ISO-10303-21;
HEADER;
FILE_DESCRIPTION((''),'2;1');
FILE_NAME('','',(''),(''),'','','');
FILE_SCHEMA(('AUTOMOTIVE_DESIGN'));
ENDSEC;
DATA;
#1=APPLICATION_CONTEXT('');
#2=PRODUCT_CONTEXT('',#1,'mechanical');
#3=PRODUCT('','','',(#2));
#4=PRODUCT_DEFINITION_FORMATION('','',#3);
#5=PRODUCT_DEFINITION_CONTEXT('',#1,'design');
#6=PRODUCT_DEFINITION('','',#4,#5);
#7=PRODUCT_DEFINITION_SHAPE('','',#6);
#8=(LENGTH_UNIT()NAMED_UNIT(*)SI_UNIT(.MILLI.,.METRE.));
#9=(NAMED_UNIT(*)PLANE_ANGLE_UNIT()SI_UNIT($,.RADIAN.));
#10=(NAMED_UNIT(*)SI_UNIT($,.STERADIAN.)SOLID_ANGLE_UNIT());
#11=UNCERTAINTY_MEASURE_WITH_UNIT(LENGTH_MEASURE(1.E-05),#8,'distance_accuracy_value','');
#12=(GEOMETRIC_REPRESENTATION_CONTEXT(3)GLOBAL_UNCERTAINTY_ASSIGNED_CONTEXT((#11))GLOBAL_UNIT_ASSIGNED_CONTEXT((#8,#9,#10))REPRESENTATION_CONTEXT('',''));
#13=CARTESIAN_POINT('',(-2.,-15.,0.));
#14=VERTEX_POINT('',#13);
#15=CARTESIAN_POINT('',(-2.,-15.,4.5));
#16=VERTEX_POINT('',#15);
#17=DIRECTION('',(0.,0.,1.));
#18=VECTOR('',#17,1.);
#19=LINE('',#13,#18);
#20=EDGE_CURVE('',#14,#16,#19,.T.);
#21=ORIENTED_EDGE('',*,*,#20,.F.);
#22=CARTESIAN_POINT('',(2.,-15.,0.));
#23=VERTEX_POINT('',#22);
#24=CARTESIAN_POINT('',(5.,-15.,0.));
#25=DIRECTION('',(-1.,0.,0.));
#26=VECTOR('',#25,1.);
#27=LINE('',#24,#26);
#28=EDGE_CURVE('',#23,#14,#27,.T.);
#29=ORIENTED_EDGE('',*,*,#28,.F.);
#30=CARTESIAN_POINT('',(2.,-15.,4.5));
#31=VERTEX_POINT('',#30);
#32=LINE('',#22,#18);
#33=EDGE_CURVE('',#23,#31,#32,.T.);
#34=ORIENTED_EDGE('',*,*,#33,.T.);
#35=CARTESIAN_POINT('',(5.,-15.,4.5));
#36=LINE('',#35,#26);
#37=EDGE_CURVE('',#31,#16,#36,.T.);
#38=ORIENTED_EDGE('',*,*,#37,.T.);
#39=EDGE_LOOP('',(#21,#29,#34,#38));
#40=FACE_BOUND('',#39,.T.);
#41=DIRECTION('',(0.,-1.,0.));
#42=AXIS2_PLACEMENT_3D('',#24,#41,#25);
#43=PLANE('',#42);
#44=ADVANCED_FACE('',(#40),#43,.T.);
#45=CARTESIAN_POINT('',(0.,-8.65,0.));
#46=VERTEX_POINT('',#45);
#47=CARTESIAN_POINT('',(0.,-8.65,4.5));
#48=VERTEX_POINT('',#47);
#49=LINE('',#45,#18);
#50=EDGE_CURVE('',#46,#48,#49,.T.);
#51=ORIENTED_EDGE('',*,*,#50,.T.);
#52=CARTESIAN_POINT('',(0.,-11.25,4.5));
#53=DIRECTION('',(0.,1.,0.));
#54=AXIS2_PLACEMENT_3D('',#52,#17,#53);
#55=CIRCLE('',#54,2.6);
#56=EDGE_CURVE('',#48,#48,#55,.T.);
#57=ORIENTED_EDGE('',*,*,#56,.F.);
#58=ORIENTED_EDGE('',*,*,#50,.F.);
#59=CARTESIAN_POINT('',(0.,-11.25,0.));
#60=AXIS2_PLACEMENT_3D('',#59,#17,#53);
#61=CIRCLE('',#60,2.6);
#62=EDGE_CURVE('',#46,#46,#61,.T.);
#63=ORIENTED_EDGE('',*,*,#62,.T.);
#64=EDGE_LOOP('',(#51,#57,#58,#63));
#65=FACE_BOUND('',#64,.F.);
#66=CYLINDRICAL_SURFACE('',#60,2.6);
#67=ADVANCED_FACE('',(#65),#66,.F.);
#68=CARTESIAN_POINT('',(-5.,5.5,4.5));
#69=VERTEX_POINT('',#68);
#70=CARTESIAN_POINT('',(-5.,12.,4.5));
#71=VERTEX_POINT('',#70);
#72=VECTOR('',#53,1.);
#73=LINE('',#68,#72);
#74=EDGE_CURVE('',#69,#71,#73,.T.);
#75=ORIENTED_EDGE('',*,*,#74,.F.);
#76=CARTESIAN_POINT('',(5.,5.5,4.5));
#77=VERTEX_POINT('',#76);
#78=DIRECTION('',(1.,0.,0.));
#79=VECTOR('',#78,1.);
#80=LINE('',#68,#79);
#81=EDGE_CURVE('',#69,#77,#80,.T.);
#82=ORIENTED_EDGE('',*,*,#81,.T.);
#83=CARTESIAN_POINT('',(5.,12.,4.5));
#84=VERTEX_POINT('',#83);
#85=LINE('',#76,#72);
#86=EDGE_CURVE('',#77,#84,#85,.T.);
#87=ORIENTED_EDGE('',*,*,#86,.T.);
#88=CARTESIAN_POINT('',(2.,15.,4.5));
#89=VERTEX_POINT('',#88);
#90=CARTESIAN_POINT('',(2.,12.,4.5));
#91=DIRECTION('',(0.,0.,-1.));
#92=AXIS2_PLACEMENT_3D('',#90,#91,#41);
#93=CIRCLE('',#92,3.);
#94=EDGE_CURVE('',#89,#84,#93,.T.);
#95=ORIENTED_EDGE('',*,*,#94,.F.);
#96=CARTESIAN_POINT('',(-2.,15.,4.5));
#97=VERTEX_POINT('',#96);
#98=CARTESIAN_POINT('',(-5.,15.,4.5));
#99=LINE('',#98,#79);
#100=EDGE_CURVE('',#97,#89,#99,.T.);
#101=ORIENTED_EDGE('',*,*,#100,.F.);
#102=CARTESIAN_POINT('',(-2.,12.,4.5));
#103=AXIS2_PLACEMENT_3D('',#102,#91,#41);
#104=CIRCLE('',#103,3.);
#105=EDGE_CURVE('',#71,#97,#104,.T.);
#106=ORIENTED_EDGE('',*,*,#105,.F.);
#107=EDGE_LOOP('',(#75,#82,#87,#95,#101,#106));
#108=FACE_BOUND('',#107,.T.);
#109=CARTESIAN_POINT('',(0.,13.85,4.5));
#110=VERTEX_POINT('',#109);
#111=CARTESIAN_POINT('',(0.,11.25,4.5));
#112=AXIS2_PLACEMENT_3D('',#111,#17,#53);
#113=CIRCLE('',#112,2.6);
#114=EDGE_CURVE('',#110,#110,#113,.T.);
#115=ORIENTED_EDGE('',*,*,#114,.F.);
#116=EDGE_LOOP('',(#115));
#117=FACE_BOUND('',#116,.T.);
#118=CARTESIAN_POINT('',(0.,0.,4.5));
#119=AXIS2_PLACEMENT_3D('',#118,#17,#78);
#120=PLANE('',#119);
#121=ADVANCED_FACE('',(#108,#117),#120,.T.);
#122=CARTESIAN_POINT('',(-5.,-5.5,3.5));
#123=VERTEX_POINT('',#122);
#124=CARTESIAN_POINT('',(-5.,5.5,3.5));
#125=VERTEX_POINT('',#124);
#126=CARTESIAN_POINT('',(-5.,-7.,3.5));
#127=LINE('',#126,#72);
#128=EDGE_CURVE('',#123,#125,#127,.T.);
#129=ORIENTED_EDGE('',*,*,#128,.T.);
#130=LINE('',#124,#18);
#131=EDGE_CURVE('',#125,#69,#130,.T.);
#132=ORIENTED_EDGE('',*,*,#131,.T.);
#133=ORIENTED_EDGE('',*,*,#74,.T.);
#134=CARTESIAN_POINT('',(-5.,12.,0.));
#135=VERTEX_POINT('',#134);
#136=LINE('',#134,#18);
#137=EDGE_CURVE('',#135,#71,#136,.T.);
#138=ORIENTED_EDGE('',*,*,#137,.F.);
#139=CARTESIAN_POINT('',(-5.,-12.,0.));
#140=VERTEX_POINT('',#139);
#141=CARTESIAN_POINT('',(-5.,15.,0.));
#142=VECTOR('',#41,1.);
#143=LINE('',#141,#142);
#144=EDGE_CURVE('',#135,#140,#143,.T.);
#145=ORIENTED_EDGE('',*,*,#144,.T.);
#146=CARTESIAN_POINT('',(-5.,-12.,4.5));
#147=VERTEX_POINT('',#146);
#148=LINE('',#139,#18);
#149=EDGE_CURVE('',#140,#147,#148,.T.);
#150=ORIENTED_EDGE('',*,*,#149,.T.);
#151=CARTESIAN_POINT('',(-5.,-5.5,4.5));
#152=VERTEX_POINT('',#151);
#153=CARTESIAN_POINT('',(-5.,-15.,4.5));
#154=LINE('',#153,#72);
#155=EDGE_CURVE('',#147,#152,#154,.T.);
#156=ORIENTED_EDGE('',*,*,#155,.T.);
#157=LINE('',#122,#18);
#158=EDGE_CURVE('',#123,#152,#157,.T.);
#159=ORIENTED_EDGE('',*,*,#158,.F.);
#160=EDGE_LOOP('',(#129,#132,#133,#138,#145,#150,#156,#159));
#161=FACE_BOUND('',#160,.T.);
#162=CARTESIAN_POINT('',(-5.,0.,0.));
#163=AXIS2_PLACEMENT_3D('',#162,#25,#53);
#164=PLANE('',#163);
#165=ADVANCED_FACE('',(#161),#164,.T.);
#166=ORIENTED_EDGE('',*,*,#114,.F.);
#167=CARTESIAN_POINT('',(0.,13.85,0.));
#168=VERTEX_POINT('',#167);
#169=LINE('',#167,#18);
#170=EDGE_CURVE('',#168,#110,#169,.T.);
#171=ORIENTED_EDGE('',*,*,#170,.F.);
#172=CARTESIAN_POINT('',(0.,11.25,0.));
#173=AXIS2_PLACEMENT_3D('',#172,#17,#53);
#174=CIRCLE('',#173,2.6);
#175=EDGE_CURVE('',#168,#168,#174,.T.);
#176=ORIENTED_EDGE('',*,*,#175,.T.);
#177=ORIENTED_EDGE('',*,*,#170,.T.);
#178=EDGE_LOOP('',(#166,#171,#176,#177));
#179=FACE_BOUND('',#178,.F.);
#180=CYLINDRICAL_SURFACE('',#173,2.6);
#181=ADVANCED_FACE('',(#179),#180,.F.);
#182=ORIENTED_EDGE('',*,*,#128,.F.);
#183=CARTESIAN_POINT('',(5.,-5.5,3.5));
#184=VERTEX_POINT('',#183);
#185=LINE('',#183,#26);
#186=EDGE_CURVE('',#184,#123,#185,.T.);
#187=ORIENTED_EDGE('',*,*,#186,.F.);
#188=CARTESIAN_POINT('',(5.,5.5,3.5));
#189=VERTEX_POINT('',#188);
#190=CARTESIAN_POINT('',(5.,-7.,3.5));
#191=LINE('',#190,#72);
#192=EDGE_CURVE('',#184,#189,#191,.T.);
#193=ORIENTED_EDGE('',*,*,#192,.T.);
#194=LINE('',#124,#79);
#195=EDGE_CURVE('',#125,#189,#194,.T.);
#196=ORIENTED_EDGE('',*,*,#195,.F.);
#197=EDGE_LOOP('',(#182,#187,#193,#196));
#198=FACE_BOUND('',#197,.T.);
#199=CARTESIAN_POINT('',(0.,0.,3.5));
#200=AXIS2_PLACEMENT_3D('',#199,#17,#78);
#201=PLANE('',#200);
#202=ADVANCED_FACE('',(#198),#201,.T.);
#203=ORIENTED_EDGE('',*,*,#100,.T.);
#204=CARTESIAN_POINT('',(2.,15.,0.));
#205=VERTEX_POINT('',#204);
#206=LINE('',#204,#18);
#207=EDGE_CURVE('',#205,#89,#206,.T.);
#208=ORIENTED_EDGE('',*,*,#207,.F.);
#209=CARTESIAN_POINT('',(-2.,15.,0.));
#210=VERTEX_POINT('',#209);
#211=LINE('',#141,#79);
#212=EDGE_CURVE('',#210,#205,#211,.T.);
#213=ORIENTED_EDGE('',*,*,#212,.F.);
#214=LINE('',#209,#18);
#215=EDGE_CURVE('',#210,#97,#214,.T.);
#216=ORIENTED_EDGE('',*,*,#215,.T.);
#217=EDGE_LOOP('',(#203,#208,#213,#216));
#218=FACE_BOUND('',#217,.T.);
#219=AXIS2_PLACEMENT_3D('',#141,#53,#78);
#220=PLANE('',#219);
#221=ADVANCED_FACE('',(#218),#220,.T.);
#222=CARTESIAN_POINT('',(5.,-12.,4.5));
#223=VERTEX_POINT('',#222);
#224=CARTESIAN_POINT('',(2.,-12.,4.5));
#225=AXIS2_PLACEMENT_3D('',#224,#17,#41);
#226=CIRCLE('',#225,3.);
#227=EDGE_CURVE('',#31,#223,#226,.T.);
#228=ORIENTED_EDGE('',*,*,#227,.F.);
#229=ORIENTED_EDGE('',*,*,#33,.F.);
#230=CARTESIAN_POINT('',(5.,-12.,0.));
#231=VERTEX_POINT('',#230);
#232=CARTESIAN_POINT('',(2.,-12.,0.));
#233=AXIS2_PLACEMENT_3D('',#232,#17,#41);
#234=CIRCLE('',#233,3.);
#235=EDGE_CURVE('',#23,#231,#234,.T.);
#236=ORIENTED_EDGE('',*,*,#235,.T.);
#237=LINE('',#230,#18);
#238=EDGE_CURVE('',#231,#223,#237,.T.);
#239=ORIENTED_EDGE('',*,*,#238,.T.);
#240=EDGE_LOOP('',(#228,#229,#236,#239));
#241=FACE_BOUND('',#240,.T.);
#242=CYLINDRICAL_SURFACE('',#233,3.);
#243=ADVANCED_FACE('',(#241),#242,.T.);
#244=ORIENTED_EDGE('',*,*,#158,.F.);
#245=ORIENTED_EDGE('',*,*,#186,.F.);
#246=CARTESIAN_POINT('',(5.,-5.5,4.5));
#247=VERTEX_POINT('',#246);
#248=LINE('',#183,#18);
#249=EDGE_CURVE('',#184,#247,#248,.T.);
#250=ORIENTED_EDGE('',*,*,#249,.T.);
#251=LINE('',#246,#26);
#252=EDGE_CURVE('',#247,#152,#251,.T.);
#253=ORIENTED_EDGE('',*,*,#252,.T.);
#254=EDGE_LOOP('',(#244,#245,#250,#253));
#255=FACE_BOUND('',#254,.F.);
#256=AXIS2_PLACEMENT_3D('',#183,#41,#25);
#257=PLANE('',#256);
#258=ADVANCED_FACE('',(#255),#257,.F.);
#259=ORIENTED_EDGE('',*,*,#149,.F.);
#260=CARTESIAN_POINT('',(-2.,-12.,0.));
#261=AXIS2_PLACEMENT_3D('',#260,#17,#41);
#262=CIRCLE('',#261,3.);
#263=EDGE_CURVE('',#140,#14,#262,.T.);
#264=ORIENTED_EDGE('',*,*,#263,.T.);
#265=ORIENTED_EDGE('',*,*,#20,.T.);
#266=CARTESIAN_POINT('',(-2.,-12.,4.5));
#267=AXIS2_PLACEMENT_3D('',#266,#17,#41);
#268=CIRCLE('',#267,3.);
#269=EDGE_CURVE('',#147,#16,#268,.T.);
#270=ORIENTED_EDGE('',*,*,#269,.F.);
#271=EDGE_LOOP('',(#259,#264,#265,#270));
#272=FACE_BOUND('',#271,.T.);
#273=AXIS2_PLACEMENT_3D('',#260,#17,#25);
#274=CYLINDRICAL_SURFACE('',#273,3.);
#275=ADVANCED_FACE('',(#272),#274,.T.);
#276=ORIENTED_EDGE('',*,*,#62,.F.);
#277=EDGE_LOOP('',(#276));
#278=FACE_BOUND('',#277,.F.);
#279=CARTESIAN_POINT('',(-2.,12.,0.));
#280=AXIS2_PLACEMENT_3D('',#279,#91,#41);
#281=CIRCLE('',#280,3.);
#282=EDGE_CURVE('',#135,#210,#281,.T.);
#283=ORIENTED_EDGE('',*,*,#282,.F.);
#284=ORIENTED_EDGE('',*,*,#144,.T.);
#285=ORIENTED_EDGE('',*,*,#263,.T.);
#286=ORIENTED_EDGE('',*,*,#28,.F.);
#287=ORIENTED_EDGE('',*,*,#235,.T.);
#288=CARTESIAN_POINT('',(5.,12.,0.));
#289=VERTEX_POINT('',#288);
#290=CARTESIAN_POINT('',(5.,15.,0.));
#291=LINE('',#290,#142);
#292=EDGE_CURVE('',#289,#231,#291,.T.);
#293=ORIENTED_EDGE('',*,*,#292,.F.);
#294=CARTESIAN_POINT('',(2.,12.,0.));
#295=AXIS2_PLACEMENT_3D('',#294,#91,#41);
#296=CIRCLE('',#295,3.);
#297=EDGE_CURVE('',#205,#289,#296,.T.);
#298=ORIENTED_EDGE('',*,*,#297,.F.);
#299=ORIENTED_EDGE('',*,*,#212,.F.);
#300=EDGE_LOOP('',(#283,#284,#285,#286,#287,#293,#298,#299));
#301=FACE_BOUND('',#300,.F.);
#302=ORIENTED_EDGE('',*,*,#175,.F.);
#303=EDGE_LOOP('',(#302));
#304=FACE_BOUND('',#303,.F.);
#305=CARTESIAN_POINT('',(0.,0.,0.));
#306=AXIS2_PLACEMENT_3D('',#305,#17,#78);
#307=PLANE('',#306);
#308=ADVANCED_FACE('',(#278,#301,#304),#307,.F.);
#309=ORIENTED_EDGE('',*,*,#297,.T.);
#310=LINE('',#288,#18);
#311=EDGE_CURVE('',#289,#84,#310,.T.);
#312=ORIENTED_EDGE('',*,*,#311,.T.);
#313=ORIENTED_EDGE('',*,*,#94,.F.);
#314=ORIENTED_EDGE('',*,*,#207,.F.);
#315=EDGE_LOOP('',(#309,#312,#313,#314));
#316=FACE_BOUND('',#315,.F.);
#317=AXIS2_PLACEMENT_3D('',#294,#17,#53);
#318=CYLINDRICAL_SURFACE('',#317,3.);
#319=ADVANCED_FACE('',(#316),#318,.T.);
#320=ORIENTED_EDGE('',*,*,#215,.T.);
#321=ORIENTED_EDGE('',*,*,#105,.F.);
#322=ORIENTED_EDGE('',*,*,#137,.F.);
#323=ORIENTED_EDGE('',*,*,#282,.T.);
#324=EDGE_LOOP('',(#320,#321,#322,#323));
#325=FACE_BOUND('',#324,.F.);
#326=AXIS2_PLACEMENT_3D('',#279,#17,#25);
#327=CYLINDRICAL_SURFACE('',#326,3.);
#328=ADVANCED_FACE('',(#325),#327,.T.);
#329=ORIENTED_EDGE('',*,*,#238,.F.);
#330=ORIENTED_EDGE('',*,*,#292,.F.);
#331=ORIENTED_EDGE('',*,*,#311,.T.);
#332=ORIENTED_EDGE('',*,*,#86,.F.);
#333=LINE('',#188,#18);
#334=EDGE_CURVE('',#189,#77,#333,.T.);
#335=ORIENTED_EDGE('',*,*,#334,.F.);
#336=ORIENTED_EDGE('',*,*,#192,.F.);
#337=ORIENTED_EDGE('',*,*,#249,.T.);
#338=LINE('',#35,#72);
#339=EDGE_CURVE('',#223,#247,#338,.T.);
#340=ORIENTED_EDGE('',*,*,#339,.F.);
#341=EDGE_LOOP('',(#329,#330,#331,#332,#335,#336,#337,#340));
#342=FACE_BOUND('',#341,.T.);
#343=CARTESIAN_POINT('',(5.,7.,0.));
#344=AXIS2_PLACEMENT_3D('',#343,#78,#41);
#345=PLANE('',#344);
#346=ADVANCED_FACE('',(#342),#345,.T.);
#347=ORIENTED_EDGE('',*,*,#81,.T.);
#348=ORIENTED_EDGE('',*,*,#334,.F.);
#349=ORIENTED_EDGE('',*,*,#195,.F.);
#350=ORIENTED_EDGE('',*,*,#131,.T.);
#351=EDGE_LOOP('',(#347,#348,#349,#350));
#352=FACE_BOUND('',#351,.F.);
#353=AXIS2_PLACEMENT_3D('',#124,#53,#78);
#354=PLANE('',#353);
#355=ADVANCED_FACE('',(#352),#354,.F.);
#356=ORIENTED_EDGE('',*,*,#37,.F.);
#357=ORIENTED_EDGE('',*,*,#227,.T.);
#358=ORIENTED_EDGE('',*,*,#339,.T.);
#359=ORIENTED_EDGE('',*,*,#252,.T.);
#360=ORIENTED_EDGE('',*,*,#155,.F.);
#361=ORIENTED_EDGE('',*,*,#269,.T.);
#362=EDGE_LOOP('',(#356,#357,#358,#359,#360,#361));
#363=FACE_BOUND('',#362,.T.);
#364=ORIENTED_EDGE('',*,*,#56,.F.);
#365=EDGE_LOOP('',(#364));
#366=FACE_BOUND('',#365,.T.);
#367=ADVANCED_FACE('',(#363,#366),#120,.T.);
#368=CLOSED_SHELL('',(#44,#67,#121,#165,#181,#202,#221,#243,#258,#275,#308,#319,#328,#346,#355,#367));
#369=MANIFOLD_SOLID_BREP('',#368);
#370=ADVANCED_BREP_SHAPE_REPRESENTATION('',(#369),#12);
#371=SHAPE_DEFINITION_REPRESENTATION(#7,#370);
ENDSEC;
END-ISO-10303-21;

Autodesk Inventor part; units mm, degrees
ref_plane "YZ Plane" through (0, 0, 0) normal (1, 0, 0) x (0, 1, 0)
ref_plane "XZ Plane" through (0, 0, 0) normal (0, 1, 0) x (-1, 0, 0)
ref_plane "XY Plane" through (0, 0, 0) normal (0, 0, 1) x (1, 0, 0)
sketch "Skizze2" plane through (0, 0, 0) normal (0, 0, 1) x (1, 0, 0)
  line L0 (-5, 7) -> (5, 7)
  line L1 (5, 7) -> (5, -7)
  line L2 (5, -7) -> (-5, -7)
  line L3 (-5, -7) -> (-5, 7)
  line L4 (0, 9.8) -> (0, -9.8) projected
  line L5 (-7, 0) -> (7, 0) projected
  point P0 (0, 0)
  point P1 (-5, 0)
  point P2 (0, 7)
  dimension "d0" = 14
  dimension "d1" = 10
extrude "Extrusion1" add sketch "Skizze2" along normal blind 3.5
sketch "Skizze3" plane through (0, 0, 3.5) normal (0, 0, 1) x (1, 0, 0)
  line L0 (5, -7) -> (5, 7) projected
  line L1 (5, 7) -> (-5, 7) projected
  line L2 (-5, 7) -> (-5, -7) projected
  line L3 (-5, -7) -> (5, -7) projected
  line L4 (5, 7) -> (-5, 7)
  line L5 (-5, 7) -> (-5, 5.5)
  line L6 (-5, 5.5) -> (5, 5.5)
  line L7 (5, 5.5) -> (5, 7)
  line L8 (-5, 7) -> (-5, -7) projected
  line L9 (-5, -7) -> (5, -7)
  line L10 (5, -7) -> (5, -5.5)
  line L11 (5, -5.5) -> (-5, -5.5)
  line L12 (-5, -5.5) -> (-5, -7)
  point P0 (0, 0)
  dimension "d4" = 1.5
  dimension "d5" = 1.5
extrude "Extrusion2" add sketch "Skizze3" along normal blind 1 contours L3 L2 L11 L0 | L6 L2 L1 L0
sketch "Skizze4" plane through (0, 0, 0) normal (0, 0, -1) x (-1, 0, 0)
  line L0 (5, -7) -> (-5, -7) projected
  line L1 (5, -7) -> (-5, -7)
  line L2 (-5, -7) -> (-5, -15)
  line L3 (-5, -15) -> (5, -15)
  line L4 (5, -15) -> (5, -7)
  line L5 (-5, 7) -> (5, 7)
  line L6 (5, 7) -> (5, 15)
  line L7 (5, 15) -> (-5, 15)
  line L8 (-5, 15) -> (-5, 7)
  line L9 (5, -7) -> (-5, -7) projected
  line L10 (-5, 7) -> (5, 7) projected
  line L11 (5, 7) -> (5, -7) projected
  line L12 (-5, -7) -> (-5, 7) projected
  line L13 (5, 5.5) -> (5, -5.5) projected
  point P0 (0, 0)
  point P1 (-5, -7)
  point P2 (0, -15)
  point P3 (0, -11)
  point P4 (0, 11)
  point P5 (5, -11)
  point P6 (5, 11)
  dimension "d8" = 8
  dimension "d9" = 8
  dimension "d31" = 10
  dimension "d32" = 22
extrude "Extrusion3" add sketch "Skizze4" against normal up to surface (4.5 mm away) contours L4 L3 L2 L0 | L8 L7 L6 L5
sketch "Skizze5" plane through (0, 0, 0) normal (0, 0, -1) x (-1, 0, 0)
  line L0 (-5, 5.5) -> (-5, 15) projected
  line L1 (-5, -5.5) -> (-5, -15) projected
  line L2 (-5, -15) -> (5, -15) projected
  line L3 (5, 15) -> (-5, 15) projected
  line L4 (-7, 0) -> (7, 0) projected
  point P0 (0, 11.25)
  point P1 (0, -11.25)
  point P2 (0, -15)
  point P3 (0, 15)
  dimension "d39" = 22.5
  dimension "d40" = 11.25
hole "Bohrung1" at (0, -11.25, 0) direction (0, 0, 1) diameter 5.2 end through all
fillet "Rundung1" radius 3 4 edges at (-5, -15, 2.25) (5, -15, 2.25) (5, 15, 2.25) (-5, 15, 2.25)
pattern_linear "Rechteckige Anordnung1" count 2 spacing 22.5 along (0, 1, 0) of "Bohrung1"
equation "\"d5\" = d4"
equation "\"d9\" = d8"
equation "\"d24\" = d34"
equation "\"d34\" = 22.5"
properties part number "LED_Strip_Halter_einzeln" material "PA 6 schwarz"
